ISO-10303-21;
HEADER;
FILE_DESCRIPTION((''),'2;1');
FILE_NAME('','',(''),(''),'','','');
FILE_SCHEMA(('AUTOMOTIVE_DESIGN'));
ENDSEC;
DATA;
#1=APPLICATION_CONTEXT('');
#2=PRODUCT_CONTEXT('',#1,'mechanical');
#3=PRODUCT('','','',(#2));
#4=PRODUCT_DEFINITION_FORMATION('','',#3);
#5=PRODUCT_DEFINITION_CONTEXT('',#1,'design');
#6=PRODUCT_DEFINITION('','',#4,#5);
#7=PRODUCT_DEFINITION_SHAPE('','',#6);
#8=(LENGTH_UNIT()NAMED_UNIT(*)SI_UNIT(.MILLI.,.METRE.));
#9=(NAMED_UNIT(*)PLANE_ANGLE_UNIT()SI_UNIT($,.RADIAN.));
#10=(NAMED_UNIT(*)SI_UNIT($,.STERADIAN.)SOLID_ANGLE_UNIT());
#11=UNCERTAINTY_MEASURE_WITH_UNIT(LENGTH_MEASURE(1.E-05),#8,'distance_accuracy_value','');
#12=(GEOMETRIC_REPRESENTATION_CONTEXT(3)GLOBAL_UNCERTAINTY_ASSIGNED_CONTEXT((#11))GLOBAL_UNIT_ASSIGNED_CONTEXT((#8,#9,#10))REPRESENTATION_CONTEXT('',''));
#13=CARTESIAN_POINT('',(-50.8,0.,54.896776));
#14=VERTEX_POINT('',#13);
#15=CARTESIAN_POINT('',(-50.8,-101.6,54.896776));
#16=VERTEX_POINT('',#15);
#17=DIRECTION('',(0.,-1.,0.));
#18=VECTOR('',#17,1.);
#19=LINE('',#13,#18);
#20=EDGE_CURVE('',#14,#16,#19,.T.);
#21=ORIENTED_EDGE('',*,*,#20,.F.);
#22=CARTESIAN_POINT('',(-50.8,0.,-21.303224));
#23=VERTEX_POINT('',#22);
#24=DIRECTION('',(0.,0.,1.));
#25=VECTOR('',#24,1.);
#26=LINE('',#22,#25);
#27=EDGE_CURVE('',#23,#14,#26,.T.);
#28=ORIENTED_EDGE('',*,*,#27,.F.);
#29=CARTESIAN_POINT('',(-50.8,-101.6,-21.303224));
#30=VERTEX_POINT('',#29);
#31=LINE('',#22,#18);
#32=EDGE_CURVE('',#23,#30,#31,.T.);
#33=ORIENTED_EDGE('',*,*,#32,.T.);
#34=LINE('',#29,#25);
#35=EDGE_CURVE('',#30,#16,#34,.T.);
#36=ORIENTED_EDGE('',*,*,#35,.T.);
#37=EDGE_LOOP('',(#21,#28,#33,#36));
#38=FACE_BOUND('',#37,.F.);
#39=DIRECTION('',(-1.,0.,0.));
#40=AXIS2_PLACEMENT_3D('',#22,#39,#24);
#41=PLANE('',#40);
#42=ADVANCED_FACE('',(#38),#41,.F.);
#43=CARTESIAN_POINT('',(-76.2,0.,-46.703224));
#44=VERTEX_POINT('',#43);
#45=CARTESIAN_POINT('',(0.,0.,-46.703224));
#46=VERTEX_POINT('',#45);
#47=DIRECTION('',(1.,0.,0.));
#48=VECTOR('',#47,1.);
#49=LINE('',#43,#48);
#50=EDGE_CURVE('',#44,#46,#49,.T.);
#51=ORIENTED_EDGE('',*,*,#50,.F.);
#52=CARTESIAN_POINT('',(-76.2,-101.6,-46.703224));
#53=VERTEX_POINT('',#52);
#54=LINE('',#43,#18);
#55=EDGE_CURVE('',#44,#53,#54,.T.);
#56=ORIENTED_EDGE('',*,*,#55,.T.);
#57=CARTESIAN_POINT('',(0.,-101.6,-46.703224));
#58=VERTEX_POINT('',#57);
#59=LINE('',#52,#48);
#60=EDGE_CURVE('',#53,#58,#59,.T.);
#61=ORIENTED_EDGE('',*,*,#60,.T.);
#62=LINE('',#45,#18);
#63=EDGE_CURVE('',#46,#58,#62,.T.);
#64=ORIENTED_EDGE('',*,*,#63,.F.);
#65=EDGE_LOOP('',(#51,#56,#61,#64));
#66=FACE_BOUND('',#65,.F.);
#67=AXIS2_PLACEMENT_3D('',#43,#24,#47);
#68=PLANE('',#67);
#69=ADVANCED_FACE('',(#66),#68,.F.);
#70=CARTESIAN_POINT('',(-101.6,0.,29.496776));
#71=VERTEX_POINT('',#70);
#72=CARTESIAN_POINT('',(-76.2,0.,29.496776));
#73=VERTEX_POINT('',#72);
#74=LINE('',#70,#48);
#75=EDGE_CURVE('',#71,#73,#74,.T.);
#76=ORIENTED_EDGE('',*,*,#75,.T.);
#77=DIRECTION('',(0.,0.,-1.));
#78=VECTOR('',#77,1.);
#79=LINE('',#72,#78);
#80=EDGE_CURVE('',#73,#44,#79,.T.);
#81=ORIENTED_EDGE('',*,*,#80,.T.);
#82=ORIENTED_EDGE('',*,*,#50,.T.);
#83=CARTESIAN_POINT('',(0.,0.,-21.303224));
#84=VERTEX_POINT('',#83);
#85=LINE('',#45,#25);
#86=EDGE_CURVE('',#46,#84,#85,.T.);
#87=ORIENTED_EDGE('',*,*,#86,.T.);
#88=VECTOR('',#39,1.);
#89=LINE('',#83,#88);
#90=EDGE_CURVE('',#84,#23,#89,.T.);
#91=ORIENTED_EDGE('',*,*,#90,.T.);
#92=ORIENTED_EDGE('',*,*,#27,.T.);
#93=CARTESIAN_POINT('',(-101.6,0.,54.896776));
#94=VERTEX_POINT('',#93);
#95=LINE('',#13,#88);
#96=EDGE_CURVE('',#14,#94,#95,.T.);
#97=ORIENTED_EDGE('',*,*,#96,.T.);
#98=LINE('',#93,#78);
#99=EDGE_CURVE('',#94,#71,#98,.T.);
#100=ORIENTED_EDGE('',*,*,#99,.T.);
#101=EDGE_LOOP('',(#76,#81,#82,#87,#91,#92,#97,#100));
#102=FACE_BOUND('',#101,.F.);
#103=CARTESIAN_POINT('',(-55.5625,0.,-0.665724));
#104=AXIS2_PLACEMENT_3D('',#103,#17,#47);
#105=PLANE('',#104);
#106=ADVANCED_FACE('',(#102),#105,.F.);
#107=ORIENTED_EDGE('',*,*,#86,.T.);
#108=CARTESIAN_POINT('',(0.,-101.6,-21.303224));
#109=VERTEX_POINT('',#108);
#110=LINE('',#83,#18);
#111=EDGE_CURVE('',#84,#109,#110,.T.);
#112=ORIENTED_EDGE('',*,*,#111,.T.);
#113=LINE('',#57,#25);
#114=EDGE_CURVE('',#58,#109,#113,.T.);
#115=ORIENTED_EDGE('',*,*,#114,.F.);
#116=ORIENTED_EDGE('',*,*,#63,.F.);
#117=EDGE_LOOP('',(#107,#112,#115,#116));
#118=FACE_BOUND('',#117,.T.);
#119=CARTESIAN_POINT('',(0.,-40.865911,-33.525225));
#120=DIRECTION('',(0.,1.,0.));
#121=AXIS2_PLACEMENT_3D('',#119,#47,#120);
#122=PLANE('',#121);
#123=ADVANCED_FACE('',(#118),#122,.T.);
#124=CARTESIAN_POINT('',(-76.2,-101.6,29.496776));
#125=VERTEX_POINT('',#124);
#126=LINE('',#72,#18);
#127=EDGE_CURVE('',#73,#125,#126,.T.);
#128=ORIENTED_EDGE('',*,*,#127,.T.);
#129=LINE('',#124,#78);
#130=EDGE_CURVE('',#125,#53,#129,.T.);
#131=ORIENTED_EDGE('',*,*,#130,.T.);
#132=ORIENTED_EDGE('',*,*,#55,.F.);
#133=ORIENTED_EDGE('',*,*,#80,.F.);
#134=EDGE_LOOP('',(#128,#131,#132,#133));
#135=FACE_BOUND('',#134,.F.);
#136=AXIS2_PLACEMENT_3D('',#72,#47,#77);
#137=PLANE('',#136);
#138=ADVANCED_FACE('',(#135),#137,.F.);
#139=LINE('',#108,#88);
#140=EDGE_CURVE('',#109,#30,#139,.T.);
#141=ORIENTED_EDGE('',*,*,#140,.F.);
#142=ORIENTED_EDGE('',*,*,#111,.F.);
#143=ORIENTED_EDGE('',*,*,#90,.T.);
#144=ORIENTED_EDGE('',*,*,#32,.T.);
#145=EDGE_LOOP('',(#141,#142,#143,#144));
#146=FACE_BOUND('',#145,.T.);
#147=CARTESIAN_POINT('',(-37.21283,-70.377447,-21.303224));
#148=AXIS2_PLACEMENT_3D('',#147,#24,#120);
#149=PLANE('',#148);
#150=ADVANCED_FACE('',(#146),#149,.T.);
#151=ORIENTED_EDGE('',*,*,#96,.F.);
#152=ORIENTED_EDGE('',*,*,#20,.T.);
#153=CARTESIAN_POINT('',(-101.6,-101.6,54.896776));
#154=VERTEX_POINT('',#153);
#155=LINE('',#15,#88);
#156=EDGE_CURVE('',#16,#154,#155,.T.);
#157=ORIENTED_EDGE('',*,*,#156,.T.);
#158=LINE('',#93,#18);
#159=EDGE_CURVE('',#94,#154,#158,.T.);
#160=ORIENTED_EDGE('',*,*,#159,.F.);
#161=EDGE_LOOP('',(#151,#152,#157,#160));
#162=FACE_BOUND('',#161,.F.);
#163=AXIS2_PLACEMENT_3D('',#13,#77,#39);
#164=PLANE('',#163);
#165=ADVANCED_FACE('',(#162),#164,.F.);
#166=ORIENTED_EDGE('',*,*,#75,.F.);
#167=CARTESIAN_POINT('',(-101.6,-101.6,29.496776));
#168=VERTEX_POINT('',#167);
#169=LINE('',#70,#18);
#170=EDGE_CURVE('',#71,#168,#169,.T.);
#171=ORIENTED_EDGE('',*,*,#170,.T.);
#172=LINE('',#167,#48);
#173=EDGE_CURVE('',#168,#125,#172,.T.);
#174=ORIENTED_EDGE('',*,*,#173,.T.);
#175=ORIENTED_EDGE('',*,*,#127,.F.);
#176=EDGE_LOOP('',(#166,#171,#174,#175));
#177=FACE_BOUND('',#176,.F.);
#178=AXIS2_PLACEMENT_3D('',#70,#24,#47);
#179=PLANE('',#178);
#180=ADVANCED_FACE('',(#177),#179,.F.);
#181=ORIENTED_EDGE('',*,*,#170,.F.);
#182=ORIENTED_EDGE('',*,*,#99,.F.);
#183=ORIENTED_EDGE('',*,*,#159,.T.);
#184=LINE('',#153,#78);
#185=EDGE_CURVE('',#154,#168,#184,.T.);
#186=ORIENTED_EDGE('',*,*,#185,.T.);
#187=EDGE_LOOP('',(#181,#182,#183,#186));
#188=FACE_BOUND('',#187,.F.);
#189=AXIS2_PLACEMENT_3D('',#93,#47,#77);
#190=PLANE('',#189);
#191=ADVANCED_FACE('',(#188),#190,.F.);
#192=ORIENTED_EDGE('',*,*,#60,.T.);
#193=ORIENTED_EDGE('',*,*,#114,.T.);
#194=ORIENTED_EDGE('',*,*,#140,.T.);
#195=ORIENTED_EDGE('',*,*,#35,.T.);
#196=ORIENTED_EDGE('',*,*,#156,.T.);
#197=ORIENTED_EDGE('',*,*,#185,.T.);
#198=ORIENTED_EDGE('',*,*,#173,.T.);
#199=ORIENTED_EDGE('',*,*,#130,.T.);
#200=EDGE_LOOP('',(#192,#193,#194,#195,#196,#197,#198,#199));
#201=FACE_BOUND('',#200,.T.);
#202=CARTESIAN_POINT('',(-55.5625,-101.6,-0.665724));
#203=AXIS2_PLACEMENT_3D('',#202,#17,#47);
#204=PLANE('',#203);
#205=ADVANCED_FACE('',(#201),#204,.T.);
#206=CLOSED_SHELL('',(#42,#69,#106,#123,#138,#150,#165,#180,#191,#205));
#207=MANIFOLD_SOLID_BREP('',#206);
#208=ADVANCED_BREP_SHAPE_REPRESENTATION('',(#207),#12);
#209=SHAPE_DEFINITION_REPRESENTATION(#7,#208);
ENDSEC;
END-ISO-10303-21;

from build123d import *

# Parameters (mm, degrees)
F1_DEPTH  = 101.6
F2_W      = 24.118604
F2_H      = 41.721998
F3_DEPTH  = 25.4
F3_FACE_W = 41.721998
F3_FACE_H = 25.4
F4_DEPTH  = 25.4
F5_W      = 30.931834
F5_H      = 6.72964
F6_DEPTH  = 25.4
F6_FACE_W = 30.931834
F6_FACE_H = 6.72964
F7_DEPTH  = 25.4


with BuildPart() as f1:
    # F0 (on Front) → F1 (new body)
    with BuildSketch(Plane.XZ):
        Polygon((-50.8, 54.896776), (-101.6, 54.896776), (-101.6, 29.496776), (-76.2, 29.496776), (-76.2, -46.703224), (0, -46.703224), (0, -21.303224), (-50.8, -21.303224), align=None)
    extrude(amount=F1_DEPTH)

    # F2 (on face) → F3 (cut)
    with BuildSketch(Plane.XY.offset(-21.303224)):
        with Locations((-25.153528, -49.516448)):
            Rectangle(F2_W, F2_H)
    extrude(amount=-F3_DEPTH, mode=Mode.SUBTRACT)

    # F3_face (on face) → F4 (join)
    with BuildSketch(Plane(origin=(-37.21283, -49.516448, -34.003224), x_dir=(0, 1, 0), z_dir=(1, 0, 0))):
        Rectangle(F3_FACE_W, F3_FACE_H)
    extrude(amount=F4_DEPTH)

    # F5 (on face) → F6 (cut)
    with BuildSketch(Plane.YZ):
        with Locations((-40.865911, -33.525225)):
            Rectangle(F5_W, F5_H)
    extrude(amount=-F6_DEPTH, mode=Mode.SUBTRACT)

    # F6_face (on face) → F7 (join)
    with BuildSketch(Plane(origin=(-25.4, -40.865911, -33.525225), x_dir=(0, 1, 0), z_dir=(1, 0, 0))):
        Rectangle(F6_FACE_W, F6_FACE_H)
    extrude(amount=F7_DEPTH)


solid = f1.part
